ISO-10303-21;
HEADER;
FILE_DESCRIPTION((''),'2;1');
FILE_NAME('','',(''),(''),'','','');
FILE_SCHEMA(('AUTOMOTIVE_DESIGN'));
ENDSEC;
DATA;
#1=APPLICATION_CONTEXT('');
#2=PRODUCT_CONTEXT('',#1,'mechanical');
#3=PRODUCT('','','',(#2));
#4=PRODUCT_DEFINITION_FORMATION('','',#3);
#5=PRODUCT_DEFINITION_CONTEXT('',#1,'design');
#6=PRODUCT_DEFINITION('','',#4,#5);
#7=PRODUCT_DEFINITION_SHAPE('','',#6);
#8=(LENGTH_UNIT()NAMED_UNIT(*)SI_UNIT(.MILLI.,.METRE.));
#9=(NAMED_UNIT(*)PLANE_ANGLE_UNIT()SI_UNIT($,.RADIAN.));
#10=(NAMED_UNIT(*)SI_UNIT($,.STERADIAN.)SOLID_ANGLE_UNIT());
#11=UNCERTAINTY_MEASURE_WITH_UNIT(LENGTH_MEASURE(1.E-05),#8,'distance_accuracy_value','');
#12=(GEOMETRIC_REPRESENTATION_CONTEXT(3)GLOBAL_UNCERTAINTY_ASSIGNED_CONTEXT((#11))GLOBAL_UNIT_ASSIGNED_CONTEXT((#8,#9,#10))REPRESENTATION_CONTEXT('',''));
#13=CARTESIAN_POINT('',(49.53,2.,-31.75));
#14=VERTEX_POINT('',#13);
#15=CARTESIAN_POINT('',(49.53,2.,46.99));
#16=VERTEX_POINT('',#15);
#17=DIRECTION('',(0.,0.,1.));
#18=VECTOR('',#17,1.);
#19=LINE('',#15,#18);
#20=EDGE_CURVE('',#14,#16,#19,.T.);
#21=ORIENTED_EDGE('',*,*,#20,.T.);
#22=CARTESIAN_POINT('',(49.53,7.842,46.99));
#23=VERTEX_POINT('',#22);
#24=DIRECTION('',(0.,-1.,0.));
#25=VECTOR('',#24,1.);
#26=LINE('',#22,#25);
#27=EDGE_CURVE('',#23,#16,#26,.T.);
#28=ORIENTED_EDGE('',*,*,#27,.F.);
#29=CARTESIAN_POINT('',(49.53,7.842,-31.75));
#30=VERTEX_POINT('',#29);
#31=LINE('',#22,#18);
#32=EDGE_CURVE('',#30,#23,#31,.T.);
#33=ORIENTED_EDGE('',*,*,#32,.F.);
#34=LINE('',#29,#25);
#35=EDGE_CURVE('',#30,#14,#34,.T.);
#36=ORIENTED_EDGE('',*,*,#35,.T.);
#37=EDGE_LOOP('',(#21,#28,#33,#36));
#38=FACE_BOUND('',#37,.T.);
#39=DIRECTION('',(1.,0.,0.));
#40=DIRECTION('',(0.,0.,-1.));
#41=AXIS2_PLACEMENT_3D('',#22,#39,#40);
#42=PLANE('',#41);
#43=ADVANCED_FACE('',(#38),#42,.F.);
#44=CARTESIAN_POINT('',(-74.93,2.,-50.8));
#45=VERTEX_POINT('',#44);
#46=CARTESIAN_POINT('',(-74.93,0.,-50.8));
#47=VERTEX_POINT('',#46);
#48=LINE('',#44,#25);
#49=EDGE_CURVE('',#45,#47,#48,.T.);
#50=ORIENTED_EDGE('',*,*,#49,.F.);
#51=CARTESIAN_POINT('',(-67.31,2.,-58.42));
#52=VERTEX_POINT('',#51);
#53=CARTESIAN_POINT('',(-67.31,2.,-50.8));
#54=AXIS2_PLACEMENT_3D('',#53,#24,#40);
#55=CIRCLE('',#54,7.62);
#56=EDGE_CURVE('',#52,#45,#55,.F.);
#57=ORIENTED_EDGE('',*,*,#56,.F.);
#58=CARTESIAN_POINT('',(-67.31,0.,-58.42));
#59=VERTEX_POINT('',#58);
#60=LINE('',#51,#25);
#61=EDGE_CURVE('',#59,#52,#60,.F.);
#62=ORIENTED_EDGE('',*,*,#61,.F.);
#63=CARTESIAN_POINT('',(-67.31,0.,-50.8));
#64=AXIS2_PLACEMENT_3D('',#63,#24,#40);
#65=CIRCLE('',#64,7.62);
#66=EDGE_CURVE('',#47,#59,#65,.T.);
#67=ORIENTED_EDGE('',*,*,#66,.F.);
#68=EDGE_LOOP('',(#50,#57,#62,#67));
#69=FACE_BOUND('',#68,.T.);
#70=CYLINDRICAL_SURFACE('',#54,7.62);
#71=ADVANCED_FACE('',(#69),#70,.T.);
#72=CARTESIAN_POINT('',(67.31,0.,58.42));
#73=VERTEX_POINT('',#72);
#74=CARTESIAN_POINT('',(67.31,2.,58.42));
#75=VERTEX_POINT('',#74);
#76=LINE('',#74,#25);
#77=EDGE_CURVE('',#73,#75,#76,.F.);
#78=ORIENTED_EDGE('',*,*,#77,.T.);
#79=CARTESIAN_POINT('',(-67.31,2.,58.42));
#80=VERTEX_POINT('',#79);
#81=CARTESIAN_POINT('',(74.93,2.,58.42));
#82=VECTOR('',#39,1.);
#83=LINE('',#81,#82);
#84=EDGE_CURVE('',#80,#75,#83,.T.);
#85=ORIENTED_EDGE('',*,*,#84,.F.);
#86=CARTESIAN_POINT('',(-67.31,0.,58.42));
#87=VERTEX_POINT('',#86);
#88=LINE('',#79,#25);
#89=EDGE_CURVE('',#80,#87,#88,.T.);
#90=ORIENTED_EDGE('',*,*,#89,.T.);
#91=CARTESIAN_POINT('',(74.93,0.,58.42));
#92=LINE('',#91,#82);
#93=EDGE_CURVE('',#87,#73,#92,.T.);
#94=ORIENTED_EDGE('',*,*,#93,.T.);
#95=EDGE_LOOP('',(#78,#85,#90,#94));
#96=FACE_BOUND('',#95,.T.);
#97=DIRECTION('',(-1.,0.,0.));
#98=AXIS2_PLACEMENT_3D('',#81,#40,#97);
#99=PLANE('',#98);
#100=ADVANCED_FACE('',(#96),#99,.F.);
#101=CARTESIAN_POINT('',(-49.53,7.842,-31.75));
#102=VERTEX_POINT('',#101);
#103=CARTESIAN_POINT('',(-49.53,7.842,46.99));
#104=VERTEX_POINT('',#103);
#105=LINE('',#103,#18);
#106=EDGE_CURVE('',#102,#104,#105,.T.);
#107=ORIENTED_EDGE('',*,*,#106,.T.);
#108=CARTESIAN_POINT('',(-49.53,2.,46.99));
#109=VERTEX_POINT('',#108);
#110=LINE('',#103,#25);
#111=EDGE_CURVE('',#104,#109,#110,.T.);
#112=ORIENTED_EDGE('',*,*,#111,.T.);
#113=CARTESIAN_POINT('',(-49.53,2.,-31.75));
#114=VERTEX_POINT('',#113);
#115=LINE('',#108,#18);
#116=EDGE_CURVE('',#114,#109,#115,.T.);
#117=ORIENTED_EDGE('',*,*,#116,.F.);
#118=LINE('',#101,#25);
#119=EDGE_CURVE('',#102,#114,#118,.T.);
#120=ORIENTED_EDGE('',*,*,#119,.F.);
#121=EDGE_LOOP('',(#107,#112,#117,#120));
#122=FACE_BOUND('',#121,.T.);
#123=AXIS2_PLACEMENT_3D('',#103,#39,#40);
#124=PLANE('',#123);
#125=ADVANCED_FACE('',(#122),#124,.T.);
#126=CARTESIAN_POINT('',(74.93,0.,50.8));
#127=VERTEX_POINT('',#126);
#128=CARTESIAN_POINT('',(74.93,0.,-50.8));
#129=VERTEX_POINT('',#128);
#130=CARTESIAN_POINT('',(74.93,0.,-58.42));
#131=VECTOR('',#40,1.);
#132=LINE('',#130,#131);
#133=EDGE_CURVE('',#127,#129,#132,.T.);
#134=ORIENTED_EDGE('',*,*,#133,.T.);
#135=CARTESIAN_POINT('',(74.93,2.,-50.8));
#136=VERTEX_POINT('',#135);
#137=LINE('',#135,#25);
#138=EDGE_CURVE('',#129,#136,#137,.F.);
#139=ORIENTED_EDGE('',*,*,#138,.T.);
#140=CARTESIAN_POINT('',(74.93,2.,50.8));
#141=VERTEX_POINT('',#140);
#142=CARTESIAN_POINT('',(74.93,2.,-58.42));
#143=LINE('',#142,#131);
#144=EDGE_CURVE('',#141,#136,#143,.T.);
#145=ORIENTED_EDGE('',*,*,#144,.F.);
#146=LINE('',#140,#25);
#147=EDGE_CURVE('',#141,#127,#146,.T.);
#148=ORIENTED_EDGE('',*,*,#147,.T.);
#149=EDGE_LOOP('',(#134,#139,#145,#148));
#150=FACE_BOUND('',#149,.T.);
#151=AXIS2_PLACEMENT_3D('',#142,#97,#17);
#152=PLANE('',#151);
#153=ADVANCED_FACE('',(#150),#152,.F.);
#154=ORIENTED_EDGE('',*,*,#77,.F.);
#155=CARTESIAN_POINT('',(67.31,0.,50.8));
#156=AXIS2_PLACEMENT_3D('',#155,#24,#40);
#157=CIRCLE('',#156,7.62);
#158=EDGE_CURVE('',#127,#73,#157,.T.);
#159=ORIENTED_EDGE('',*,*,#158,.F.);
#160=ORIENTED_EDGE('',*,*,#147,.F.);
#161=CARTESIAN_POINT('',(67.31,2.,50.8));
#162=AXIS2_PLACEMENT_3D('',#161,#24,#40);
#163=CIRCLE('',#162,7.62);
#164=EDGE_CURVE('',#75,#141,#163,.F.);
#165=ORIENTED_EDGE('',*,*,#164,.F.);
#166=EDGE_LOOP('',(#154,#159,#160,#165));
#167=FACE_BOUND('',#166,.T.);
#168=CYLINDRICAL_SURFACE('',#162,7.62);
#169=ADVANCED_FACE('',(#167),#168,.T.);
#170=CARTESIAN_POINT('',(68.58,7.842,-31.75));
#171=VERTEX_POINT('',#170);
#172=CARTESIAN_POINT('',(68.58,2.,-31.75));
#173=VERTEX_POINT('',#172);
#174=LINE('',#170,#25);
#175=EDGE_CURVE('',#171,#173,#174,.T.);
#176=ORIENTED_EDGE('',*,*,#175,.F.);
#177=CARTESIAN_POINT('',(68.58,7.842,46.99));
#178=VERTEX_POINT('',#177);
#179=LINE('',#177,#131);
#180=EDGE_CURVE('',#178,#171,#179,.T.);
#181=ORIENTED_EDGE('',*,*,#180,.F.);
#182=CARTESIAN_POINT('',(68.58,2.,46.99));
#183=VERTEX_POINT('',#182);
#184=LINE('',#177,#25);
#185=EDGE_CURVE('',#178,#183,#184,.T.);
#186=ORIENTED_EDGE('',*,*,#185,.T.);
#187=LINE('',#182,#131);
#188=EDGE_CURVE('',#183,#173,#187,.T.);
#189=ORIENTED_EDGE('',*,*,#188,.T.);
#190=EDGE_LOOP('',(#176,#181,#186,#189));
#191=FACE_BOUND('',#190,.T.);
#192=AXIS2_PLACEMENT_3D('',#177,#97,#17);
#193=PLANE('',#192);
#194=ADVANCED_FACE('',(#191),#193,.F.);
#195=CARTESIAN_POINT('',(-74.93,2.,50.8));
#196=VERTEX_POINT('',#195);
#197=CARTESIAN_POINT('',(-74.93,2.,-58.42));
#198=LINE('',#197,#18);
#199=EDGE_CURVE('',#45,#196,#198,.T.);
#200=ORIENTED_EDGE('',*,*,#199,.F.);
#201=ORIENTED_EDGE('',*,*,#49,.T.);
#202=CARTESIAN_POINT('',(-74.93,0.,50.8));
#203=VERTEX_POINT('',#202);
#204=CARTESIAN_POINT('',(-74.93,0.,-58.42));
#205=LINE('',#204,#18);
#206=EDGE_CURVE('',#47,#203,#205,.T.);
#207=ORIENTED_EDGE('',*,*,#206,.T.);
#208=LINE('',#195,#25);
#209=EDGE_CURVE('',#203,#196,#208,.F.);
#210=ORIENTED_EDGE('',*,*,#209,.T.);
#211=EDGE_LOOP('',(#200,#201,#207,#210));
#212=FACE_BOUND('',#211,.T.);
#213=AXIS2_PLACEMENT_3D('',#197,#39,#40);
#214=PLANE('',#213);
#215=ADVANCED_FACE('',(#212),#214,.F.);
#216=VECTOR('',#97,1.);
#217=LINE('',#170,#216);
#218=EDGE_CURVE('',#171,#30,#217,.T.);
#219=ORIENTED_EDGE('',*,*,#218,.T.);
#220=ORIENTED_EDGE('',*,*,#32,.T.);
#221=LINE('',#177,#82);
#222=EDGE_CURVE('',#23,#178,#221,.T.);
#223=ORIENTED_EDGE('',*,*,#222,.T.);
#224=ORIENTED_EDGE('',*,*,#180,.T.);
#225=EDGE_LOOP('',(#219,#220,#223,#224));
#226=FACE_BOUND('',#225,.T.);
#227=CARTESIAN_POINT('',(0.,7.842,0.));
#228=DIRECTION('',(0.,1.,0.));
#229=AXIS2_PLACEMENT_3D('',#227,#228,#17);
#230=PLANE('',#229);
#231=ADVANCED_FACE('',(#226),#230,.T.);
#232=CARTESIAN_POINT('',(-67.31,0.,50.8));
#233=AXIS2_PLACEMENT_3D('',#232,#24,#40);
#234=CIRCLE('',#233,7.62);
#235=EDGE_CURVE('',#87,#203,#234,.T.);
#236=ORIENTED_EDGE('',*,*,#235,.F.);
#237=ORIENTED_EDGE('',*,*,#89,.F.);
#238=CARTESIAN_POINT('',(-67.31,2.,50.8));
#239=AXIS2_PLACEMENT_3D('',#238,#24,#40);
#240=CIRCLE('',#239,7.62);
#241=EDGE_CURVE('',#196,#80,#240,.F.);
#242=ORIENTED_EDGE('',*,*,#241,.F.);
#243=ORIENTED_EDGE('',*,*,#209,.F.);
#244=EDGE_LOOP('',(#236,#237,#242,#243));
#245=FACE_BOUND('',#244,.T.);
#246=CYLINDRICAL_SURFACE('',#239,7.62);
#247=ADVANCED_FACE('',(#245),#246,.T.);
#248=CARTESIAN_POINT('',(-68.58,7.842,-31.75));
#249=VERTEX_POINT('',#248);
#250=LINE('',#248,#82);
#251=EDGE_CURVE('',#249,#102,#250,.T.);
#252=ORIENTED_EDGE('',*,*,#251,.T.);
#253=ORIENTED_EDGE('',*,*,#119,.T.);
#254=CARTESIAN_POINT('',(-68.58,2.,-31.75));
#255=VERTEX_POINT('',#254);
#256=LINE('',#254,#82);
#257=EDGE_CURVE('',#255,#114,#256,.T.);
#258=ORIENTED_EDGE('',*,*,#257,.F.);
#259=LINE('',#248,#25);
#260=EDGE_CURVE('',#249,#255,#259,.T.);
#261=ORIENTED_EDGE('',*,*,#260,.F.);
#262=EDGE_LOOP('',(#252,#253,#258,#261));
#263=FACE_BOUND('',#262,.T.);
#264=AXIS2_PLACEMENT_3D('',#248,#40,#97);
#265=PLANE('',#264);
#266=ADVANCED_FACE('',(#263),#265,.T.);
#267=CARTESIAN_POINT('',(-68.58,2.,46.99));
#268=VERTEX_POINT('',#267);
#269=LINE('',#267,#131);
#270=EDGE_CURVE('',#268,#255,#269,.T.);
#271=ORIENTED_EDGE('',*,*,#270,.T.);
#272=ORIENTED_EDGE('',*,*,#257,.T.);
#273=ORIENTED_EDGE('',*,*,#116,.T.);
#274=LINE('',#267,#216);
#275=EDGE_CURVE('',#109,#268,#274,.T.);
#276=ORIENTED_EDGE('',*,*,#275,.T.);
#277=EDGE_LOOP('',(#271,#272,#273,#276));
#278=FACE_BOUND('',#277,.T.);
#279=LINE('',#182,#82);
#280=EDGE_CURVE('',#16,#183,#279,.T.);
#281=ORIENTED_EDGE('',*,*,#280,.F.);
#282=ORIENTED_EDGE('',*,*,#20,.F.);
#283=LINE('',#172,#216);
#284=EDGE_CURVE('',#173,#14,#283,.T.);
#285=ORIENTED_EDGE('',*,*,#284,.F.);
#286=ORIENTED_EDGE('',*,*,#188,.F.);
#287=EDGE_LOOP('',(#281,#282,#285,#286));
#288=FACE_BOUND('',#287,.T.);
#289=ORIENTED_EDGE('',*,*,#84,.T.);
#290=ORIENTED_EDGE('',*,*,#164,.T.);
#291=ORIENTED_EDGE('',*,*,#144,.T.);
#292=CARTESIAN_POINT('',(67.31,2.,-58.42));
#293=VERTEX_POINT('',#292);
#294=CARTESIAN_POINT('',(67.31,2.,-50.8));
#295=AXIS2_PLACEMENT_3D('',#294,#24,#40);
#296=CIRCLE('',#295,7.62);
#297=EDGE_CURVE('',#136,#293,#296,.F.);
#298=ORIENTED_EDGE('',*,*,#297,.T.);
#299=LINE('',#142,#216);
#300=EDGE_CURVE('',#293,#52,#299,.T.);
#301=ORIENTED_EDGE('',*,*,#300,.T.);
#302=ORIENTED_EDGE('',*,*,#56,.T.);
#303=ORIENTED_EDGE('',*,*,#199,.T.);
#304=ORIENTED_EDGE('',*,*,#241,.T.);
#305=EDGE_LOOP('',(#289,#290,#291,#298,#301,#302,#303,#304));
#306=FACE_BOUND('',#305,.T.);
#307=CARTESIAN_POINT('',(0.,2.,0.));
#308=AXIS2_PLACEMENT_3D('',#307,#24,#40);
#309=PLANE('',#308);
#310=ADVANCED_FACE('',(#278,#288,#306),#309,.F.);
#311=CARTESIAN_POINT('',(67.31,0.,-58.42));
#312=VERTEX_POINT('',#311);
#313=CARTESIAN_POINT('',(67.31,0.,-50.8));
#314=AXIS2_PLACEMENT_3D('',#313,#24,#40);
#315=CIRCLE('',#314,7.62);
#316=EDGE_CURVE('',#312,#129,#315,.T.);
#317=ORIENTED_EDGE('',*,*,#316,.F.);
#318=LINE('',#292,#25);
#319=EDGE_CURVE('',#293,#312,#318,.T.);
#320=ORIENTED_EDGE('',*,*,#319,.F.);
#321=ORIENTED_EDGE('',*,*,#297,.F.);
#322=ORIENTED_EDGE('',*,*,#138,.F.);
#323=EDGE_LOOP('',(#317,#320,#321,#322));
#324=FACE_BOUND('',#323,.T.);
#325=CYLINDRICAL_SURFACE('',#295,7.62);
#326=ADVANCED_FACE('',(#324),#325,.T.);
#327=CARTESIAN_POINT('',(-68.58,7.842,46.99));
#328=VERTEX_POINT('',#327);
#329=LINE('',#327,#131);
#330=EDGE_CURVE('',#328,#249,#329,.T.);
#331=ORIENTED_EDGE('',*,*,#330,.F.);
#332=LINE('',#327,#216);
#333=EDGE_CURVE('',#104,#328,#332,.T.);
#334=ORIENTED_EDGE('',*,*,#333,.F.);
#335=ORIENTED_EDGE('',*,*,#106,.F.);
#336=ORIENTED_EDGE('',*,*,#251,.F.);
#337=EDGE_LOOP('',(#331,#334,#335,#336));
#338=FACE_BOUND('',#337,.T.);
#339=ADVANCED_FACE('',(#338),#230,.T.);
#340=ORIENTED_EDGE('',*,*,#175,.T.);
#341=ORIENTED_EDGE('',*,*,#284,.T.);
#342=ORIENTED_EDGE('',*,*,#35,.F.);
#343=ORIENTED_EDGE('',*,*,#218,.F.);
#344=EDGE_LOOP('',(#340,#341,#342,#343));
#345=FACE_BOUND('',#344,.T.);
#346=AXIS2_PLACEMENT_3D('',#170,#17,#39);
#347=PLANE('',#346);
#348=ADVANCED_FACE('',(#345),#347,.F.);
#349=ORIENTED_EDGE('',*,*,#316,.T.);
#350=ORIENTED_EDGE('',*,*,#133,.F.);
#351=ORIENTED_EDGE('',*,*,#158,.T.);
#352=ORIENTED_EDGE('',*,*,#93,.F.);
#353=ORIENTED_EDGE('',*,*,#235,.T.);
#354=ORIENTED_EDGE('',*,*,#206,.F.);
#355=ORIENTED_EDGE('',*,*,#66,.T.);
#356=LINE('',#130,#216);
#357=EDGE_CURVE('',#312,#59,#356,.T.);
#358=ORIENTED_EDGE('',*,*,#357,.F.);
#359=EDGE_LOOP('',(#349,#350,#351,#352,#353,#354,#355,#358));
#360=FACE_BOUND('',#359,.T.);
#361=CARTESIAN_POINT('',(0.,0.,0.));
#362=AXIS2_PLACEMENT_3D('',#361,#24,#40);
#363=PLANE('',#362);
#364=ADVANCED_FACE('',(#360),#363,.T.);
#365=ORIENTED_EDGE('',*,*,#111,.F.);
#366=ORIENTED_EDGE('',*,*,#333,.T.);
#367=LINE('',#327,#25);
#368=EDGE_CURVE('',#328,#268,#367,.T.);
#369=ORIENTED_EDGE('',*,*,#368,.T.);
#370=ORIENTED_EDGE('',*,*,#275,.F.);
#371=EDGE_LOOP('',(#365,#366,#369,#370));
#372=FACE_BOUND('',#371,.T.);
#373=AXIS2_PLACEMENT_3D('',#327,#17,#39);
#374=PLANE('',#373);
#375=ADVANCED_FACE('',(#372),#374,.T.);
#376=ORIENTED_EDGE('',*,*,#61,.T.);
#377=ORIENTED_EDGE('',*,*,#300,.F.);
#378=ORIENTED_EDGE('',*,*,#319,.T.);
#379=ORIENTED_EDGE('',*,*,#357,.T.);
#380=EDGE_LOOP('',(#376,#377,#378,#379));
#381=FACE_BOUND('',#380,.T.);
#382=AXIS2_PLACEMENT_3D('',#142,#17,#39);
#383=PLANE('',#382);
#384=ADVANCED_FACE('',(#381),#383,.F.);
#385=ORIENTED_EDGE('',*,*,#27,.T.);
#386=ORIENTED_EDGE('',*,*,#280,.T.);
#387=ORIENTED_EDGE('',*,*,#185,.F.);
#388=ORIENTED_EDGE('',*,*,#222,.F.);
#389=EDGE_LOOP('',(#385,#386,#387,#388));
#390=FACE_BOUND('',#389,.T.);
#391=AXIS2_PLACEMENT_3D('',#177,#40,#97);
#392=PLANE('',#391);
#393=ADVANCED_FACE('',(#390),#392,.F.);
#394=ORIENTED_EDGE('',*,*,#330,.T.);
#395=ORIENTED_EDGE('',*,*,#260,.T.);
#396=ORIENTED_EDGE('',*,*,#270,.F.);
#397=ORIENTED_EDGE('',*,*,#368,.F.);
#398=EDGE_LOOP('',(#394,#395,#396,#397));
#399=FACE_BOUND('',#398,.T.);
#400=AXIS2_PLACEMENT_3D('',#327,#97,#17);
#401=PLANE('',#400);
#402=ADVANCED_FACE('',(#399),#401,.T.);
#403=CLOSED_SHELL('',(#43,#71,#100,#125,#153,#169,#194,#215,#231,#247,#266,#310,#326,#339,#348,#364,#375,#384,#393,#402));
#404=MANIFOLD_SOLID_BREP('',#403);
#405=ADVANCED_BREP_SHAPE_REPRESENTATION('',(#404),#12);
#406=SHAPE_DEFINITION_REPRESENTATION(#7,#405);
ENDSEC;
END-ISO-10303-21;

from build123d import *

# Parameters (mm, degrees)
SKETCH1_W           = 149.86
SKETCH1_H           = 116.84
BOSS_EXTRUDE1_DEPTH = 2
FILLET1_R           = 7.62
SKETCH2_W           = 19.05
SKETCH2_H           = 78.74
BOSS_EXTRUDE2_DEPTH = 5.842


with BuildPart() as part:
    # Sketch1 → Boss-Extrude1 (new body)
    with BuildSketch(Plane(origin=(0, 0, 0), x_dir=(1, 0, 0), z_dir=(0, 1, 0))):
        Rectangle(SKETCH1_W, SKETCH1_H)
    extrude(amount=BOSS_EXTRUDE1_DEPTH)

    # Fillet1
    fillet1_edges = [part.edges().sort_by_distance(p)[0] for p in [
        (-74.93, 1, -58.42),
        (74.93, 1, -58.42),
        (74.93, 1, 58.42),
        (-74.93, 1, 58.42),
    ]]
    fillet(fillet1_edges, radius=FILLET1_R)

    # Sketch2 → Boss-Extrude2 (add)
    with BuildSketch(Plane(origin=(0, 2, 0), x_dir=(1, 0, 0), z_dir=(0, 1, 0))):
        with Locations((59.055, -7.62)):
            Rectangle(SKETCH2_W, SKETCH2_H)
    boss_extrude2 = extrude(amount=BOSS_EXTRUDE2_DEPTH)

    # Mirror1: Boss-Extrude2 across plane
    add(boss_extrude2.mirror(Plane(origin=(0, 0, 0), x_dir=(0, 0, 1), z_dir=(1, 0, 0))))


solid = part.part
